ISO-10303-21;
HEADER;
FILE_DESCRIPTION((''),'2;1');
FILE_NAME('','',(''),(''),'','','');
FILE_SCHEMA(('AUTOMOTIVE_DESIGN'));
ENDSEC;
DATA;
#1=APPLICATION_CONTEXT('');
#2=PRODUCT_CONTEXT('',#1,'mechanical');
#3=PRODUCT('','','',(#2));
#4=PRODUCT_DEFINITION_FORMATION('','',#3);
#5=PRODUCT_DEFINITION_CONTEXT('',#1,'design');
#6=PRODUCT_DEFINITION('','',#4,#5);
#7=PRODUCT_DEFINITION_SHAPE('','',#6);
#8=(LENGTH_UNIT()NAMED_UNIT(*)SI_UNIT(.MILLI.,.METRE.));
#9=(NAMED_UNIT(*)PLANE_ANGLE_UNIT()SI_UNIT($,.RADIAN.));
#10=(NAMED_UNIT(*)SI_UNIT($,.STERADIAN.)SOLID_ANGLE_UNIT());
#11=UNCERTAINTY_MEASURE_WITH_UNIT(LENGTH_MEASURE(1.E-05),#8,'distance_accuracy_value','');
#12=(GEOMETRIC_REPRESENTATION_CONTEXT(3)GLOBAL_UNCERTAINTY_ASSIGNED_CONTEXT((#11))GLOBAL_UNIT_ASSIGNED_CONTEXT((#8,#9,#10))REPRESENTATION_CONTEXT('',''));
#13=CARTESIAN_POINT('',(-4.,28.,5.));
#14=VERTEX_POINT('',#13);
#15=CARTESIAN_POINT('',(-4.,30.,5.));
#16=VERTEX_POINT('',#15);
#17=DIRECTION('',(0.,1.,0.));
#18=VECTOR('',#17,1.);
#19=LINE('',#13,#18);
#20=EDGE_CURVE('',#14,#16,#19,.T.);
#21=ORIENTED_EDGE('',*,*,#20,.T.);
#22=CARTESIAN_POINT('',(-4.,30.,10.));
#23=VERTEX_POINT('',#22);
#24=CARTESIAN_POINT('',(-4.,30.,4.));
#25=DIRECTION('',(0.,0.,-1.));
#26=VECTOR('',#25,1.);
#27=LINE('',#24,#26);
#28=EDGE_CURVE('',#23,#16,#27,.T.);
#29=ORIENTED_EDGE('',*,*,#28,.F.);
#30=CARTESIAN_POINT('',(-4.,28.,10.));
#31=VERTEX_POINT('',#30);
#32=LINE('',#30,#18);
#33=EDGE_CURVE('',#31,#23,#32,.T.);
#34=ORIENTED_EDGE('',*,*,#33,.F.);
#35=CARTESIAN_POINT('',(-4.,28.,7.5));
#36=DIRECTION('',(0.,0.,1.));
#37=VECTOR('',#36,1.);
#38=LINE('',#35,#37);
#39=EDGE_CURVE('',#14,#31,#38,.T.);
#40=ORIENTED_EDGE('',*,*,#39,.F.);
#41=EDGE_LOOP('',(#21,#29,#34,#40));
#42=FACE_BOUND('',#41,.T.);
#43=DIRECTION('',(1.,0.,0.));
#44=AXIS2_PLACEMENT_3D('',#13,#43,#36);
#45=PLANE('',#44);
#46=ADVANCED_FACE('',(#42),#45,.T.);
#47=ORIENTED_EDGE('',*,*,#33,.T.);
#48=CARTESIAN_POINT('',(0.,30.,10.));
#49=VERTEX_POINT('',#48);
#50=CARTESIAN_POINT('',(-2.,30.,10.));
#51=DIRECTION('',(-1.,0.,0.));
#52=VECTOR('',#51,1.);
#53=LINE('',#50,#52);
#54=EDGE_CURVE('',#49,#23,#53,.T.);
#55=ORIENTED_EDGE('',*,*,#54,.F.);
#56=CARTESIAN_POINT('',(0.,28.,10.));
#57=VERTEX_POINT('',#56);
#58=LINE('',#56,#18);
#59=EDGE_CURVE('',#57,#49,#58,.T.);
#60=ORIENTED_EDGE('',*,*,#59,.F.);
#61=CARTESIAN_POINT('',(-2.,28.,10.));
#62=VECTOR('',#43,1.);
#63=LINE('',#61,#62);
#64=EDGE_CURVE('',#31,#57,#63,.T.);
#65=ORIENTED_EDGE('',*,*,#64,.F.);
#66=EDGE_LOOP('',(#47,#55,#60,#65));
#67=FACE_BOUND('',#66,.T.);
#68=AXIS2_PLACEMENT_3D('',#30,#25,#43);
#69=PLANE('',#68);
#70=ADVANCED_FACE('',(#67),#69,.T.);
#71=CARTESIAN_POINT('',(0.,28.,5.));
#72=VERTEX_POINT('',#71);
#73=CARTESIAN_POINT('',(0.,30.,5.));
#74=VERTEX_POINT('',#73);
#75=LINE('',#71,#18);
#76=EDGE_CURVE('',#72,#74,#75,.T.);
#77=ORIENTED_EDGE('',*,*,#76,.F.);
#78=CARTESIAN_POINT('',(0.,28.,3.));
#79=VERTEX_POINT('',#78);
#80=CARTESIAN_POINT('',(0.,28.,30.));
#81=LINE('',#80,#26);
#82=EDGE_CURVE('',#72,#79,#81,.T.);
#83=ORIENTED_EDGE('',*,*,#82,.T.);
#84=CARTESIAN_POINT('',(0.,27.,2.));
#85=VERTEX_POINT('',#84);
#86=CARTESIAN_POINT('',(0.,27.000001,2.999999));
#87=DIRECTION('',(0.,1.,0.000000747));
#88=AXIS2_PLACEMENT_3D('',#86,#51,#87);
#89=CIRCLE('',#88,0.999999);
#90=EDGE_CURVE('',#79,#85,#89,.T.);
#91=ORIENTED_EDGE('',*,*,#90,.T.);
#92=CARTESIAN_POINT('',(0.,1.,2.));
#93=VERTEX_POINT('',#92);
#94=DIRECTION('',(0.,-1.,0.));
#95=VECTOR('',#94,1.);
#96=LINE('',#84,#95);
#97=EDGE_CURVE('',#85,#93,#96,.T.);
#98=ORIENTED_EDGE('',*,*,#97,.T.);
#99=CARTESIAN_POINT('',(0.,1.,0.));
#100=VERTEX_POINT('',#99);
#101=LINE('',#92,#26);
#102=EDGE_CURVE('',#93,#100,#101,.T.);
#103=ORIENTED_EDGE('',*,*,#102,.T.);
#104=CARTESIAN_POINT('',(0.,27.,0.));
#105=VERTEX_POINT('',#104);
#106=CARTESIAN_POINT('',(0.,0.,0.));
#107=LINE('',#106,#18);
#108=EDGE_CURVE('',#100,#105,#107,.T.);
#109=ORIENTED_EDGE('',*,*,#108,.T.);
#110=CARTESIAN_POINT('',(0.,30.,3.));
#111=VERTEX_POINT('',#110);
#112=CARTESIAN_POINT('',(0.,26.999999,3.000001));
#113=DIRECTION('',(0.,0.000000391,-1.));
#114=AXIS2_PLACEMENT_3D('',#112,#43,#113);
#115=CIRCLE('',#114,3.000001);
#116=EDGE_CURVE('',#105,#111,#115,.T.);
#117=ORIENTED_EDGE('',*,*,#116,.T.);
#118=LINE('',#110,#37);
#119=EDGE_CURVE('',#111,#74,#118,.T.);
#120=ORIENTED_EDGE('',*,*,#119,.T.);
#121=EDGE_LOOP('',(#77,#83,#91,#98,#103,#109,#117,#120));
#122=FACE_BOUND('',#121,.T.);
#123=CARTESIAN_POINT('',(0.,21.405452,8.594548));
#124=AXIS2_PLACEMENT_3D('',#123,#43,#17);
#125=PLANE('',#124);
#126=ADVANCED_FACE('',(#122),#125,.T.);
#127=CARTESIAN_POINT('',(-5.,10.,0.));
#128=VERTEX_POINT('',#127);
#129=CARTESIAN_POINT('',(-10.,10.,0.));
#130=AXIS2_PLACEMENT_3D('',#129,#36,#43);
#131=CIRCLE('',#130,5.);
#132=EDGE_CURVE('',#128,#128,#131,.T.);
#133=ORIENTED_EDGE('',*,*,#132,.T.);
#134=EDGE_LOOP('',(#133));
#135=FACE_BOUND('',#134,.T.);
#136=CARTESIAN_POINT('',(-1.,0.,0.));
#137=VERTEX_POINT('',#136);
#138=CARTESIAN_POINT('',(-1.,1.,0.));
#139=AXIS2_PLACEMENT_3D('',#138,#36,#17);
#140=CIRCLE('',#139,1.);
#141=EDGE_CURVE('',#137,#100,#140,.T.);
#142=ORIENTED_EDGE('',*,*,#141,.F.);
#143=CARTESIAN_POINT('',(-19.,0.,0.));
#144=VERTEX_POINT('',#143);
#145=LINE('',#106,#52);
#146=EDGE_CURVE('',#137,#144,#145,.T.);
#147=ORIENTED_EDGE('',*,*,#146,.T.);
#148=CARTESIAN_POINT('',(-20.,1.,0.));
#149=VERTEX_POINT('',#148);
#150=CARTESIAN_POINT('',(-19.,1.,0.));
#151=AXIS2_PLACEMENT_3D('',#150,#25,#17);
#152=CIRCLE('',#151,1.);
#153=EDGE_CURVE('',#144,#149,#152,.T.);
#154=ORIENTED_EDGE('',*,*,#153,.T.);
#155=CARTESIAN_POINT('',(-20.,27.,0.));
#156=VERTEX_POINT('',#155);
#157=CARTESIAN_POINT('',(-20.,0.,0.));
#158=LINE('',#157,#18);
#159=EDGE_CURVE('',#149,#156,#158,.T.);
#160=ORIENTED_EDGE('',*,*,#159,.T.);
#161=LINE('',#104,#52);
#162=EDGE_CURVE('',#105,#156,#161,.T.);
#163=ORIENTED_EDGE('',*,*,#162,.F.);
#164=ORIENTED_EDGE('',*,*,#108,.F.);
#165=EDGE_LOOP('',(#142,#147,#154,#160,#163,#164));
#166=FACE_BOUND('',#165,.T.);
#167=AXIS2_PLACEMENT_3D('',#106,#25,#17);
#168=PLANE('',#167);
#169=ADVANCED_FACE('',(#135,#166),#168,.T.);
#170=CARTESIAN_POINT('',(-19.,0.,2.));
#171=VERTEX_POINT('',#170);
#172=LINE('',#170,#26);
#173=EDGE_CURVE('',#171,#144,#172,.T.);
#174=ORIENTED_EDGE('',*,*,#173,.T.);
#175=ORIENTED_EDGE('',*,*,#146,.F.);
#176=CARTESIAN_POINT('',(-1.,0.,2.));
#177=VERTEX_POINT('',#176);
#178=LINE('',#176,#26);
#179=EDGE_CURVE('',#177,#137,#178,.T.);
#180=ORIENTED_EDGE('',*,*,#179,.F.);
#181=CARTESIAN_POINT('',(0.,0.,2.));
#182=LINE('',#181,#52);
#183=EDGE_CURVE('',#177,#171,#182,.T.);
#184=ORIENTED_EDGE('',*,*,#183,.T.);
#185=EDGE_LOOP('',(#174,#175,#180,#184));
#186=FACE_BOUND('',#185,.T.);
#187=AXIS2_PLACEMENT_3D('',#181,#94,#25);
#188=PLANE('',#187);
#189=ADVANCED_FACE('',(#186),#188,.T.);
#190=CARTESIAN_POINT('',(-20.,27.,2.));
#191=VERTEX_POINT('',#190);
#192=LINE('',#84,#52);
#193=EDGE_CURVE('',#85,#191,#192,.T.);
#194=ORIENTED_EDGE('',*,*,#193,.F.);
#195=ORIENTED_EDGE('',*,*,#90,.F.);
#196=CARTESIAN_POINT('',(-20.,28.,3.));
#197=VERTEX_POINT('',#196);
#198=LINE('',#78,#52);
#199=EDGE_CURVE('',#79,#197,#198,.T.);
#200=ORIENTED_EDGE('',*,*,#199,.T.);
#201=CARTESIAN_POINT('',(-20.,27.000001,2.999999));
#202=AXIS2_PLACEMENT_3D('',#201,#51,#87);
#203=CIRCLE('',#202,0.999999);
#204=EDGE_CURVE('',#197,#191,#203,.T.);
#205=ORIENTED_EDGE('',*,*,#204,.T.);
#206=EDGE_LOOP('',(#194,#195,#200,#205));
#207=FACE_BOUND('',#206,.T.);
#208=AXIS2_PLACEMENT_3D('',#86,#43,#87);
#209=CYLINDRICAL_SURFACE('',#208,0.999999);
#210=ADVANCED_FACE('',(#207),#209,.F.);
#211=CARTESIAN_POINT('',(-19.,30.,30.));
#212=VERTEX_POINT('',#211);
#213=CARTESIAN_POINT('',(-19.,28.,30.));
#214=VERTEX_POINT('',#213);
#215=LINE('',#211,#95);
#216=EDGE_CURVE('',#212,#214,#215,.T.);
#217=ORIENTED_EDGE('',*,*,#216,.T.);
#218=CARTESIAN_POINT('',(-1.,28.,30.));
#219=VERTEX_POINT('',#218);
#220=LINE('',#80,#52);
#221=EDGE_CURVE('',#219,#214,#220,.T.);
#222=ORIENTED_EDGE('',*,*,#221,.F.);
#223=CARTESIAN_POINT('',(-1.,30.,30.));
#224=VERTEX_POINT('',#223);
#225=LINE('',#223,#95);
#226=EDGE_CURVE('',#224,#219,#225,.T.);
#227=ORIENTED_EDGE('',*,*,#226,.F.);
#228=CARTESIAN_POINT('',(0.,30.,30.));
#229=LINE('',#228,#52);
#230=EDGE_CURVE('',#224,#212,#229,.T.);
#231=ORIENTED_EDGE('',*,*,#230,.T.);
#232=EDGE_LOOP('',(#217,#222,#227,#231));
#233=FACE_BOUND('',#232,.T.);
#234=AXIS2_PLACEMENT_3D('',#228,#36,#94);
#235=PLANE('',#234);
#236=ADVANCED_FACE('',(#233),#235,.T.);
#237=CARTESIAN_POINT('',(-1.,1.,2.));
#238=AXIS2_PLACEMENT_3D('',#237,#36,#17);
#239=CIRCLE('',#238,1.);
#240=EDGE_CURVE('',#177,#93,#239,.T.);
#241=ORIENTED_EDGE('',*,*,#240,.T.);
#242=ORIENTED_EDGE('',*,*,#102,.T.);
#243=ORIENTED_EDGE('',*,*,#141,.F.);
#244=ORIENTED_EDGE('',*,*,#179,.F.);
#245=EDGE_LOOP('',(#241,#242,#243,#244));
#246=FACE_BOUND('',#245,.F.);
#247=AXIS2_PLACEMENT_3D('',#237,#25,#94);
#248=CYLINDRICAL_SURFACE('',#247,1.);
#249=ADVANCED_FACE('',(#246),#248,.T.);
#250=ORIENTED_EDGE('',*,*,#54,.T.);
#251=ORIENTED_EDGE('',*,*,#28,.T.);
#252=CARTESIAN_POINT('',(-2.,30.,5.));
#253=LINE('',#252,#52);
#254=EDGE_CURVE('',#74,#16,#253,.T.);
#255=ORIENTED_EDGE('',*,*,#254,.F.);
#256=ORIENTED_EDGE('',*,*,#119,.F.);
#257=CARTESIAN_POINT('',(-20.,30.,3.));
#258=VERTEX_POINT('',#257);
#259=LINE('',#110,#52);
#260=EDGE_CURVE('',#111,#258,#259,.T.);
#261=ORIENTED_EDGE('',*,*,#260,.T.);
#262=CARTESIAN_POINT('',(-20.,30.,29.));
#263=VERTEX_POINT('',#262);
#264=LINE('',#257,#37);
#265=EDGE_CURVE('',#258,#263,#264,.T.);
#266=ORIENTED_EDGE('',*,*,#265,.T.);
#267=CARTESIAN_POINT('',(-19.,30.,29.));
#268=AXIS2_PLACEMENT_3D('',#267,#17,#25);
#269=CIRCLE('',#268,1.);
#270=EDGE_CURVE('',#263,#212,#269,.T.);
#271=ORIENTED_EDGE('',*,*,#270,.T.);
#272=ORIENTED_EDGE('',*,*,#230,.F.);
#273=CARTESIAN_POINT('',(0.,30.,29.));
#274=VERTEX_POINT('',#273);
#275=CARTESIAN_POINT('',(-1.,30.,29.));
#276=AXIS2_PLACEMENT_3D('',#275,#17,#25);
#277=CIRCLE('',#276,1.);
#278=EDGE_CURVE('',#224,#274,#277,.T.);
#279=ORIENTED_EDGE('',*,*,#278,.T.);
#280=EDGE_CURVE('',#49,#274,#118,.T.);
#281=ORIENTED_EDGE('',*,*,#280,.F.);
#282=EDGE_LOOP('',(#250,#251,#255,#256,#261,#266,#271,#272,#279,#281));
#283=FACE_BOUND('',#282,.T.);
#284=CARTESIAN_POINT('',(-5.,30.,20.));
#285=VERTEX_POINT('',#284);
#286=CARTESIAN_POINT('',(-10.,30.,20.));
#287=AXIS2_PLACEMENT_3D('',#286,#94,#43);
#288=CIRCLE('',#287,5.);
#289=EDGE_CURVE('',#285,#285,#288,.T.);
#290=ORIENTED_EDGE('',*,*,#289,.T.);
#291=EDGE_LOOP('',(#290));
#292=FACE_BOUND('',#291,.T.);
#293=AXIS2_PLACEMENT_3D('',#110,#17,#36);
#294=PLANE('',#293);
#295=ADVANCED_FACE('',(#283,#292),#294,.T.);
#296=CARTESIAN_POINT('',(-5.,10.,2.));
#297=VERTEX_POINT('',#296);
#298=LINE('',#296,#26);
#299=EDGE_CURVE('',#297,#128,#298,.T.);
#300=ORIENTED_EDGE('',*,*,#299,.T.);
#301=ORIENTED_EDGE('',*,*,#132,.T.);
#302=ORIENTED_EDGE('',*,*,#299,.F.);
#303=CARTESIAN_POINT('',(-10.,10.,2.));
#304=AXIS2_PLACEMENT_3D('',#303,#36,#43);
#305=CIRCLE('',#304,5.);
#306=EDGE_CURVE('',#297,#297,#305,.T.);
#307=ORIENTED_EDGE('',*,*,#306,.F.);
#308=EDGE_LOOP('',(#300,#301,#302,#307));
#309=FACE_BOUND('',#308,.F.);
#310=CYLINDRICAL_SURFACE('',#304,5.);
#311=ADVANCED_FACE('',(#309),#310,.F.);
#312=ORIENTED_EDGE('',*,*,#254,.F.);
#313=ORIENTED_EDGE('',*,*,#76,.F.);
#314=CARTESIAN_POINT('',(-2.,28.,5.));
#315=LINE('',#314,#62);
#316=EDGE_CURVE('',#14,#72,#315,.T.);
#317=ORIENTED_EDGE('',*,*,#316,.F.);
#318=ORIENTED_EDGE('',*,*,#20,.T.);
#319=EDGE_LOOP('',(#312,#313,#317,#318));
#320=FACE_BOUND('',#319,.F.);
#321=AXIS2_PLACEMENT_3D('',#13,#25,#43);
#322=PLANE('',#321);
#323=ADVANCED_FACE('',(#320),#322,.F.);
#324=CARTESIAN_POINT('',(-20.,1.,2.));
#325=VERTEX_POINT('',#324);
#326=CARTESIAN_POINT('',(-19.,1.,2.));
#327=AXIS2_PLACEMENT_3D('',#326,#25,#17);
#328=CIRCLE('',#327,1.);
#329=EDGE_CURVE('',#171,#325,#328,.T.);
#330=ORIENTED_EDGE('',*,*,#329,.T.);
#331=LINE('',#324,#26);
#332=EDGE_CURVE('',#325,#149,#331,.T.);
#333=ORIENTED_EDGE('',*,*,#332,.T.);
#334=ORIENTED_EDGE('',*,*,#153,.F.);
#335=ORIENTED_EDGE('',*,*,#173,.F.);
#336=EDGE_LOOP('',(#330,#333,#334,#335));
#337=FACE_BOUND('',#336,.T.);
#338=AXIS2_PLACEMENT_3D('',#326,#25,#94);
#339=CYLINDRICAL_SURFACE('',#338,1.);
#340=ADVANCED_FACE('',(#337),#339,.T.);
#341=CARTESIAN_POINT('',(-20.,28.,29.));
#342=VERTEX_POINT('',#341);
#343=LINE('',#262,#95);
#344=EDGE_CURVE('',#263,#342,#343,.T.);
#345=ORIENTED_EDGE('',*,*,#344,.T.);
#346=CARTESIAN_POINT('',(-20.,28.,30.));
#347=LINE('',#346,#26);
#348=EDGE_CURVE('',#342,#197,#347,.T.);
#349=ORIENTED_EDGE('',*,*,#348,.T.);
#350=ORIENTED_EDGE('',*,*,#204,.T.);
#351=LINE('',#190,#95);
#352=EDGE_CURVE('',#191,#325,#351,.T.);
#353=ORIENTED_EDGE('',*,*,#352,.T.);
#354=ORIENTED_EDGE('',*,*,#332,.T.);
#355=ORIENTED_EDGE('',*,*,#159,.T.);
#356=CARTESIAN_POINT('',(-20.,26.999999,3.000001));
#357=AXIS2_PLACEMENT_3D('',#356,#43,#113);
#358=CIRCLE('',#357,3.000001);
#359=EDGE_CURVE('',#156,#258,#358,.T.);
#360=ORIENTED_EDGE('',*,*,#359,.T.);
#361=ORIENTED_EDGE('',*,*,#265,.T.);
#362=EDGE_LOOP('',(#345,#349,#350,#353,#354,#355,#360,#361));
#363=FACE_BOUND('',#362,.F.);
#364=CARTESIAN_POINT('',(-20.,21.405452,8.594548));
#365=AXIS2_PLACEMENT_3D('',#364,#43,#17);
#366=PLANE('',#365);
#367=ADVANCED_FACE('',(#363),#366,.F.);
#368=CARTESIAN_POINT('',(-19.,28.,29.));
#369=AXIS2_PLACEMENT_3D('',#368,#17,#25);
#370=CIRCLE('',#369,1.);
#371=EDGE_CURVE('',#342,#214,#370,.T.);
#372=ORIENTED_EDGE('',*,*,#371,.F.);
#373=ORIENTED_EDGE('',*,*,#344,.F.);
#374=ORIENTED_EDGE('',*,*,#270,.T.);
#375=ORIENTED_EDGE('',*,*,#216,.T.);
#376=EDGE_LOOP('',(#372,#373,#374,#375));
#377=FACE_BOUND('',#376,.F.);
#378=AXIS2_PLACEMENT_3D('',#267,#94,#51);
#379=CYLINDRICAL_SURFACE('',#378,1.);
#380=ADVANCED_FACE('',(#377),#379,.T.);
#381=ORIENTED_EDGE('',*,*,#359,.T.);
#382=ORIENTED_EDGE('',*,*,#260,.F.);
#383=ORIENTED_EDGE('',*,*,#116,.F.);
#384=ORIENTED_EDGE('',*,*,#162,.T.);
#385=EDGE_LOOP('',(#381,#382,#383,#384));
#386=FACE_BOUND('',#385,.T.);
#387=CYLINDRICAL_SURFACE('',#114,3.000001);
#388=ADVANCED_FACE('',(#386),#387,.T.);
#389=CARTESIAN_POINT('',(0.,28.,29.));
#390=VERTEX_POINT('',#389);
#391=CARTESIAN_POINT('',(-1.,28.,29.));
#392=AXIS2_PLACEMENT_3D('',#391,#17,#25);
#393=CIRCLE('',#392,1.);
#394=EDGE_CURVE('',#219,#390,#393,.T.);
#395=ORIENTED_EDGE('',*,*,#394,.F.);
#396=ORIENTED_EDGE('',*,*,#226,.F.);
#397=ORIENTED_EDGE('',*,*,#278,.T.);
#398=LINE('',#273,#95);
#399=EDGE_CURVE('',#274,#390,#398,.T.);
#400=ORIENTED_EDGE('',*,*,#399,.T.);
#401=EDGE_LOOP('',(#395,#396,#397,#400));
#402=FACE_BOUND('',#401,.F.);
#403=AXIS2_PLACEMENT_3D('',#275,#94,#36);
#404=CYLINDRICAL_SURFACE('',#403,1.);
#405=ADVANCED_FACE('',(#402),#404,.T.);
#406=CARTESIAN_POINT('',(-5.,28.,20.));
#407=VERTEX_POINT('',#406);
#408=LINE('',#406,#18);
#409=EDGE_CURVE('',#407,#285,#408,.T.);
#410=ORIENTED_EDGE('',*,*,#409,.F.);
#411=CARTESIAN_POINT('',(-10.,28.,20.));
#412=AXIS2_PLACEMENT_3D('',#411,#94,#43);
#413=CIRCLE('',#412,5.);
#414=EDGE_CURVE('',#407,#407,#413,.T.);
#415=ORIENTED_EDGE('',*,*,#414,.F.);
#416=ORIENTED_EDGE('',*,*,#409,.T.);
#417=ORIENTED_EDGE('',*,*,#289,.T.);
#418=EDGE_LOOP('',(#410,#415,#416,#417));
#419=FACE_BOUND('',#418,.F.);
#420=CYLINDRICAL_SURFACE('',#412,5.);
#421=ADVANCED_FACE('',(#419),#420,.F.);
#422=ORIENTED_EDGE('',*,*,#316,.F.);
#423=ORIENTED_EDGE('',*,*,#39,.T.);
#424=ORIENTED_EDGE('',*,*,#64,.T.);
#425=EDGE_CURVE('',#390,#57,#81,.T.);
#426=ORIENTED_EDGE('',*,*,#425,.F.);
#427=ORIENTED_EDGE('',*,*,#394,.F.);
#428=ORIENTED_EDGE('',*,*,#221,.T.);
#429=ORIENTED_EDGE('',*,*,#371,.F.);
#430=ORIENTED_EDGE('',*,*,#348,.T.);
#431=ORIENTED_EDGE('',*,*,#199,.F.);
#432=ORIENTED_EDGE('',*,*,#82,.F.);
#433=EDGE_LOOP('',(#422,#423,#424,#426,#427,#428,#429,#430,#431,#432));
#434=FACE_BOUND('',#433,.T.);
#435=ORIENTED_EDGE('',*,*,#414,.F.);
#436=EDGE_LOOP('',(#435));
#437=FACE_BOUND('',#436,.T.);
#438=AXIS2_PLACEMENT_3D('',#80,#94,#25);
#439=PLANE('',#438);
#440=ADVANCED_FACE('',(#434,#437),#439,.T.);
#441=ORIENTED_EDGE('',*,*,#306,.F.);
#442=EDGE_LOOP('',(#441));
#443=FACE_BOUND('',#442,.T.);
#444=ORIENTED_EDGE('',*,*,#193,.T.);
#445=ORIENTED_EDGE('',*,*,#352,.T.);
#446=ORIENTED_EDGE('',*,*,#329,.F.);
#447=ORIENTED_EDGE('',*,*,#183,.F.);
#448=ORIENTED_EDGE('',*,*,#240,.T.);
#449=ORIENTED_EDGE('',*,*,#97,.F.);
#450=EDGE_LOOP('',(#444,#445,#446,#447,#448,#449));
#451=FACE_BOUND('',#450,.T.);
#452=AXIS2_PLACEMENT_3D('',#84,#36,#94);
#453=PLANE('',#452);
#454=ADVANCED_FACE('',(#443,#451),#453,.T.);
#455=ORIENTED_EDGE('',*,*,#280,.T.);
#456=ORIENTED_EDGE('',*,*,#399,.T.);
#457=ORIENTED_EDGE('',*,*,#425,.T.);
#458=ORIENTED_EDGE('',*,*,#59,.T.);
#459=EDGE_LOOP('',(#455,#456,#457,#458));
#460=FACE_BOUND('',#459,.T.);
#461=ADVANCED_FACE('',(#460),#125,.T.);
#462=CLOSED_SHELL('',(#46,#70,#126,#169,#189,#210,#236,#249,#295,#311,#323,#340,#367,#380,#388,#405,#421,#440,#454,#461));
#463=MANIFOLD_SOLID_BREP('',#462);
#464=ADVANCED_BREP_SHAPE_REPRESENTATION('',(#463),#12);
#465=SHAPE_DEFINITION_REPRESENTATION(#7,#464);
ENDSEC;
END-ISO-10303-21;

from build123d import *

# Parameters (mm, degrees)
F1_DEPTH = 20
F2_R     = 5
F2_W     = 4
F2_H     = 5
F3_DEPTH = 2.001
F4_R     = 5
F5_DEPTH = 2.001
F6_R     = 1


with BuildPart() as f1:
    # F0 (on Right) → F1 (new body)
    with BuildSketch(Plane.YZ):
        with BuildLine():
            Line((0, 2), (0, 0))
            Line((0, 0), (27, 0))
            ThreePointArc((27, 0), (29.12132, 0.87868), (30, 3))
            Line((30, 3), (30, 30))
            Line((30, 30), (28, 30))
            Line((28, 30), (28, 3))
            ThreePointArc((28, 3), (27.707107, 2.292893), (27, 2))
            Line((27, 2), (0, 2))
        make_face()
    extrude(amount=-F1_DEPTH)

    # F2 (on face) → F3 (cut, through all)
    with BuildSketch(Plane.XZ.offset(-28)):
        with Locations((-10, 20)):
            Circle(F2_R)
        with Locations((-2, 7.5)):
            Rectangle(F2_W, F2_H)
    extrude(amount=-F3_DEPTH, mode=Mode.SUBTRACT)

    # F4 (on face) → F5 (cut, through all)
    with BuildSketch(Plane.XY.offset(2)):
        with Locations((-10, 10)):
            Circle(F4_R)
    extrude(amount=-F5_DEPTH, mode=Mode.SUBTRACT)

    # F6
    f6_edges = [f1.edges().sort_by_distance(p)[0] for p in [
        (0, 0, 1),
        (-20, 0, 1),
        (0, 29, 30),
        (-20, 29, 30),
    ]]
    fillet(f6_edges, radius=F6_R)


solid = f1.part
